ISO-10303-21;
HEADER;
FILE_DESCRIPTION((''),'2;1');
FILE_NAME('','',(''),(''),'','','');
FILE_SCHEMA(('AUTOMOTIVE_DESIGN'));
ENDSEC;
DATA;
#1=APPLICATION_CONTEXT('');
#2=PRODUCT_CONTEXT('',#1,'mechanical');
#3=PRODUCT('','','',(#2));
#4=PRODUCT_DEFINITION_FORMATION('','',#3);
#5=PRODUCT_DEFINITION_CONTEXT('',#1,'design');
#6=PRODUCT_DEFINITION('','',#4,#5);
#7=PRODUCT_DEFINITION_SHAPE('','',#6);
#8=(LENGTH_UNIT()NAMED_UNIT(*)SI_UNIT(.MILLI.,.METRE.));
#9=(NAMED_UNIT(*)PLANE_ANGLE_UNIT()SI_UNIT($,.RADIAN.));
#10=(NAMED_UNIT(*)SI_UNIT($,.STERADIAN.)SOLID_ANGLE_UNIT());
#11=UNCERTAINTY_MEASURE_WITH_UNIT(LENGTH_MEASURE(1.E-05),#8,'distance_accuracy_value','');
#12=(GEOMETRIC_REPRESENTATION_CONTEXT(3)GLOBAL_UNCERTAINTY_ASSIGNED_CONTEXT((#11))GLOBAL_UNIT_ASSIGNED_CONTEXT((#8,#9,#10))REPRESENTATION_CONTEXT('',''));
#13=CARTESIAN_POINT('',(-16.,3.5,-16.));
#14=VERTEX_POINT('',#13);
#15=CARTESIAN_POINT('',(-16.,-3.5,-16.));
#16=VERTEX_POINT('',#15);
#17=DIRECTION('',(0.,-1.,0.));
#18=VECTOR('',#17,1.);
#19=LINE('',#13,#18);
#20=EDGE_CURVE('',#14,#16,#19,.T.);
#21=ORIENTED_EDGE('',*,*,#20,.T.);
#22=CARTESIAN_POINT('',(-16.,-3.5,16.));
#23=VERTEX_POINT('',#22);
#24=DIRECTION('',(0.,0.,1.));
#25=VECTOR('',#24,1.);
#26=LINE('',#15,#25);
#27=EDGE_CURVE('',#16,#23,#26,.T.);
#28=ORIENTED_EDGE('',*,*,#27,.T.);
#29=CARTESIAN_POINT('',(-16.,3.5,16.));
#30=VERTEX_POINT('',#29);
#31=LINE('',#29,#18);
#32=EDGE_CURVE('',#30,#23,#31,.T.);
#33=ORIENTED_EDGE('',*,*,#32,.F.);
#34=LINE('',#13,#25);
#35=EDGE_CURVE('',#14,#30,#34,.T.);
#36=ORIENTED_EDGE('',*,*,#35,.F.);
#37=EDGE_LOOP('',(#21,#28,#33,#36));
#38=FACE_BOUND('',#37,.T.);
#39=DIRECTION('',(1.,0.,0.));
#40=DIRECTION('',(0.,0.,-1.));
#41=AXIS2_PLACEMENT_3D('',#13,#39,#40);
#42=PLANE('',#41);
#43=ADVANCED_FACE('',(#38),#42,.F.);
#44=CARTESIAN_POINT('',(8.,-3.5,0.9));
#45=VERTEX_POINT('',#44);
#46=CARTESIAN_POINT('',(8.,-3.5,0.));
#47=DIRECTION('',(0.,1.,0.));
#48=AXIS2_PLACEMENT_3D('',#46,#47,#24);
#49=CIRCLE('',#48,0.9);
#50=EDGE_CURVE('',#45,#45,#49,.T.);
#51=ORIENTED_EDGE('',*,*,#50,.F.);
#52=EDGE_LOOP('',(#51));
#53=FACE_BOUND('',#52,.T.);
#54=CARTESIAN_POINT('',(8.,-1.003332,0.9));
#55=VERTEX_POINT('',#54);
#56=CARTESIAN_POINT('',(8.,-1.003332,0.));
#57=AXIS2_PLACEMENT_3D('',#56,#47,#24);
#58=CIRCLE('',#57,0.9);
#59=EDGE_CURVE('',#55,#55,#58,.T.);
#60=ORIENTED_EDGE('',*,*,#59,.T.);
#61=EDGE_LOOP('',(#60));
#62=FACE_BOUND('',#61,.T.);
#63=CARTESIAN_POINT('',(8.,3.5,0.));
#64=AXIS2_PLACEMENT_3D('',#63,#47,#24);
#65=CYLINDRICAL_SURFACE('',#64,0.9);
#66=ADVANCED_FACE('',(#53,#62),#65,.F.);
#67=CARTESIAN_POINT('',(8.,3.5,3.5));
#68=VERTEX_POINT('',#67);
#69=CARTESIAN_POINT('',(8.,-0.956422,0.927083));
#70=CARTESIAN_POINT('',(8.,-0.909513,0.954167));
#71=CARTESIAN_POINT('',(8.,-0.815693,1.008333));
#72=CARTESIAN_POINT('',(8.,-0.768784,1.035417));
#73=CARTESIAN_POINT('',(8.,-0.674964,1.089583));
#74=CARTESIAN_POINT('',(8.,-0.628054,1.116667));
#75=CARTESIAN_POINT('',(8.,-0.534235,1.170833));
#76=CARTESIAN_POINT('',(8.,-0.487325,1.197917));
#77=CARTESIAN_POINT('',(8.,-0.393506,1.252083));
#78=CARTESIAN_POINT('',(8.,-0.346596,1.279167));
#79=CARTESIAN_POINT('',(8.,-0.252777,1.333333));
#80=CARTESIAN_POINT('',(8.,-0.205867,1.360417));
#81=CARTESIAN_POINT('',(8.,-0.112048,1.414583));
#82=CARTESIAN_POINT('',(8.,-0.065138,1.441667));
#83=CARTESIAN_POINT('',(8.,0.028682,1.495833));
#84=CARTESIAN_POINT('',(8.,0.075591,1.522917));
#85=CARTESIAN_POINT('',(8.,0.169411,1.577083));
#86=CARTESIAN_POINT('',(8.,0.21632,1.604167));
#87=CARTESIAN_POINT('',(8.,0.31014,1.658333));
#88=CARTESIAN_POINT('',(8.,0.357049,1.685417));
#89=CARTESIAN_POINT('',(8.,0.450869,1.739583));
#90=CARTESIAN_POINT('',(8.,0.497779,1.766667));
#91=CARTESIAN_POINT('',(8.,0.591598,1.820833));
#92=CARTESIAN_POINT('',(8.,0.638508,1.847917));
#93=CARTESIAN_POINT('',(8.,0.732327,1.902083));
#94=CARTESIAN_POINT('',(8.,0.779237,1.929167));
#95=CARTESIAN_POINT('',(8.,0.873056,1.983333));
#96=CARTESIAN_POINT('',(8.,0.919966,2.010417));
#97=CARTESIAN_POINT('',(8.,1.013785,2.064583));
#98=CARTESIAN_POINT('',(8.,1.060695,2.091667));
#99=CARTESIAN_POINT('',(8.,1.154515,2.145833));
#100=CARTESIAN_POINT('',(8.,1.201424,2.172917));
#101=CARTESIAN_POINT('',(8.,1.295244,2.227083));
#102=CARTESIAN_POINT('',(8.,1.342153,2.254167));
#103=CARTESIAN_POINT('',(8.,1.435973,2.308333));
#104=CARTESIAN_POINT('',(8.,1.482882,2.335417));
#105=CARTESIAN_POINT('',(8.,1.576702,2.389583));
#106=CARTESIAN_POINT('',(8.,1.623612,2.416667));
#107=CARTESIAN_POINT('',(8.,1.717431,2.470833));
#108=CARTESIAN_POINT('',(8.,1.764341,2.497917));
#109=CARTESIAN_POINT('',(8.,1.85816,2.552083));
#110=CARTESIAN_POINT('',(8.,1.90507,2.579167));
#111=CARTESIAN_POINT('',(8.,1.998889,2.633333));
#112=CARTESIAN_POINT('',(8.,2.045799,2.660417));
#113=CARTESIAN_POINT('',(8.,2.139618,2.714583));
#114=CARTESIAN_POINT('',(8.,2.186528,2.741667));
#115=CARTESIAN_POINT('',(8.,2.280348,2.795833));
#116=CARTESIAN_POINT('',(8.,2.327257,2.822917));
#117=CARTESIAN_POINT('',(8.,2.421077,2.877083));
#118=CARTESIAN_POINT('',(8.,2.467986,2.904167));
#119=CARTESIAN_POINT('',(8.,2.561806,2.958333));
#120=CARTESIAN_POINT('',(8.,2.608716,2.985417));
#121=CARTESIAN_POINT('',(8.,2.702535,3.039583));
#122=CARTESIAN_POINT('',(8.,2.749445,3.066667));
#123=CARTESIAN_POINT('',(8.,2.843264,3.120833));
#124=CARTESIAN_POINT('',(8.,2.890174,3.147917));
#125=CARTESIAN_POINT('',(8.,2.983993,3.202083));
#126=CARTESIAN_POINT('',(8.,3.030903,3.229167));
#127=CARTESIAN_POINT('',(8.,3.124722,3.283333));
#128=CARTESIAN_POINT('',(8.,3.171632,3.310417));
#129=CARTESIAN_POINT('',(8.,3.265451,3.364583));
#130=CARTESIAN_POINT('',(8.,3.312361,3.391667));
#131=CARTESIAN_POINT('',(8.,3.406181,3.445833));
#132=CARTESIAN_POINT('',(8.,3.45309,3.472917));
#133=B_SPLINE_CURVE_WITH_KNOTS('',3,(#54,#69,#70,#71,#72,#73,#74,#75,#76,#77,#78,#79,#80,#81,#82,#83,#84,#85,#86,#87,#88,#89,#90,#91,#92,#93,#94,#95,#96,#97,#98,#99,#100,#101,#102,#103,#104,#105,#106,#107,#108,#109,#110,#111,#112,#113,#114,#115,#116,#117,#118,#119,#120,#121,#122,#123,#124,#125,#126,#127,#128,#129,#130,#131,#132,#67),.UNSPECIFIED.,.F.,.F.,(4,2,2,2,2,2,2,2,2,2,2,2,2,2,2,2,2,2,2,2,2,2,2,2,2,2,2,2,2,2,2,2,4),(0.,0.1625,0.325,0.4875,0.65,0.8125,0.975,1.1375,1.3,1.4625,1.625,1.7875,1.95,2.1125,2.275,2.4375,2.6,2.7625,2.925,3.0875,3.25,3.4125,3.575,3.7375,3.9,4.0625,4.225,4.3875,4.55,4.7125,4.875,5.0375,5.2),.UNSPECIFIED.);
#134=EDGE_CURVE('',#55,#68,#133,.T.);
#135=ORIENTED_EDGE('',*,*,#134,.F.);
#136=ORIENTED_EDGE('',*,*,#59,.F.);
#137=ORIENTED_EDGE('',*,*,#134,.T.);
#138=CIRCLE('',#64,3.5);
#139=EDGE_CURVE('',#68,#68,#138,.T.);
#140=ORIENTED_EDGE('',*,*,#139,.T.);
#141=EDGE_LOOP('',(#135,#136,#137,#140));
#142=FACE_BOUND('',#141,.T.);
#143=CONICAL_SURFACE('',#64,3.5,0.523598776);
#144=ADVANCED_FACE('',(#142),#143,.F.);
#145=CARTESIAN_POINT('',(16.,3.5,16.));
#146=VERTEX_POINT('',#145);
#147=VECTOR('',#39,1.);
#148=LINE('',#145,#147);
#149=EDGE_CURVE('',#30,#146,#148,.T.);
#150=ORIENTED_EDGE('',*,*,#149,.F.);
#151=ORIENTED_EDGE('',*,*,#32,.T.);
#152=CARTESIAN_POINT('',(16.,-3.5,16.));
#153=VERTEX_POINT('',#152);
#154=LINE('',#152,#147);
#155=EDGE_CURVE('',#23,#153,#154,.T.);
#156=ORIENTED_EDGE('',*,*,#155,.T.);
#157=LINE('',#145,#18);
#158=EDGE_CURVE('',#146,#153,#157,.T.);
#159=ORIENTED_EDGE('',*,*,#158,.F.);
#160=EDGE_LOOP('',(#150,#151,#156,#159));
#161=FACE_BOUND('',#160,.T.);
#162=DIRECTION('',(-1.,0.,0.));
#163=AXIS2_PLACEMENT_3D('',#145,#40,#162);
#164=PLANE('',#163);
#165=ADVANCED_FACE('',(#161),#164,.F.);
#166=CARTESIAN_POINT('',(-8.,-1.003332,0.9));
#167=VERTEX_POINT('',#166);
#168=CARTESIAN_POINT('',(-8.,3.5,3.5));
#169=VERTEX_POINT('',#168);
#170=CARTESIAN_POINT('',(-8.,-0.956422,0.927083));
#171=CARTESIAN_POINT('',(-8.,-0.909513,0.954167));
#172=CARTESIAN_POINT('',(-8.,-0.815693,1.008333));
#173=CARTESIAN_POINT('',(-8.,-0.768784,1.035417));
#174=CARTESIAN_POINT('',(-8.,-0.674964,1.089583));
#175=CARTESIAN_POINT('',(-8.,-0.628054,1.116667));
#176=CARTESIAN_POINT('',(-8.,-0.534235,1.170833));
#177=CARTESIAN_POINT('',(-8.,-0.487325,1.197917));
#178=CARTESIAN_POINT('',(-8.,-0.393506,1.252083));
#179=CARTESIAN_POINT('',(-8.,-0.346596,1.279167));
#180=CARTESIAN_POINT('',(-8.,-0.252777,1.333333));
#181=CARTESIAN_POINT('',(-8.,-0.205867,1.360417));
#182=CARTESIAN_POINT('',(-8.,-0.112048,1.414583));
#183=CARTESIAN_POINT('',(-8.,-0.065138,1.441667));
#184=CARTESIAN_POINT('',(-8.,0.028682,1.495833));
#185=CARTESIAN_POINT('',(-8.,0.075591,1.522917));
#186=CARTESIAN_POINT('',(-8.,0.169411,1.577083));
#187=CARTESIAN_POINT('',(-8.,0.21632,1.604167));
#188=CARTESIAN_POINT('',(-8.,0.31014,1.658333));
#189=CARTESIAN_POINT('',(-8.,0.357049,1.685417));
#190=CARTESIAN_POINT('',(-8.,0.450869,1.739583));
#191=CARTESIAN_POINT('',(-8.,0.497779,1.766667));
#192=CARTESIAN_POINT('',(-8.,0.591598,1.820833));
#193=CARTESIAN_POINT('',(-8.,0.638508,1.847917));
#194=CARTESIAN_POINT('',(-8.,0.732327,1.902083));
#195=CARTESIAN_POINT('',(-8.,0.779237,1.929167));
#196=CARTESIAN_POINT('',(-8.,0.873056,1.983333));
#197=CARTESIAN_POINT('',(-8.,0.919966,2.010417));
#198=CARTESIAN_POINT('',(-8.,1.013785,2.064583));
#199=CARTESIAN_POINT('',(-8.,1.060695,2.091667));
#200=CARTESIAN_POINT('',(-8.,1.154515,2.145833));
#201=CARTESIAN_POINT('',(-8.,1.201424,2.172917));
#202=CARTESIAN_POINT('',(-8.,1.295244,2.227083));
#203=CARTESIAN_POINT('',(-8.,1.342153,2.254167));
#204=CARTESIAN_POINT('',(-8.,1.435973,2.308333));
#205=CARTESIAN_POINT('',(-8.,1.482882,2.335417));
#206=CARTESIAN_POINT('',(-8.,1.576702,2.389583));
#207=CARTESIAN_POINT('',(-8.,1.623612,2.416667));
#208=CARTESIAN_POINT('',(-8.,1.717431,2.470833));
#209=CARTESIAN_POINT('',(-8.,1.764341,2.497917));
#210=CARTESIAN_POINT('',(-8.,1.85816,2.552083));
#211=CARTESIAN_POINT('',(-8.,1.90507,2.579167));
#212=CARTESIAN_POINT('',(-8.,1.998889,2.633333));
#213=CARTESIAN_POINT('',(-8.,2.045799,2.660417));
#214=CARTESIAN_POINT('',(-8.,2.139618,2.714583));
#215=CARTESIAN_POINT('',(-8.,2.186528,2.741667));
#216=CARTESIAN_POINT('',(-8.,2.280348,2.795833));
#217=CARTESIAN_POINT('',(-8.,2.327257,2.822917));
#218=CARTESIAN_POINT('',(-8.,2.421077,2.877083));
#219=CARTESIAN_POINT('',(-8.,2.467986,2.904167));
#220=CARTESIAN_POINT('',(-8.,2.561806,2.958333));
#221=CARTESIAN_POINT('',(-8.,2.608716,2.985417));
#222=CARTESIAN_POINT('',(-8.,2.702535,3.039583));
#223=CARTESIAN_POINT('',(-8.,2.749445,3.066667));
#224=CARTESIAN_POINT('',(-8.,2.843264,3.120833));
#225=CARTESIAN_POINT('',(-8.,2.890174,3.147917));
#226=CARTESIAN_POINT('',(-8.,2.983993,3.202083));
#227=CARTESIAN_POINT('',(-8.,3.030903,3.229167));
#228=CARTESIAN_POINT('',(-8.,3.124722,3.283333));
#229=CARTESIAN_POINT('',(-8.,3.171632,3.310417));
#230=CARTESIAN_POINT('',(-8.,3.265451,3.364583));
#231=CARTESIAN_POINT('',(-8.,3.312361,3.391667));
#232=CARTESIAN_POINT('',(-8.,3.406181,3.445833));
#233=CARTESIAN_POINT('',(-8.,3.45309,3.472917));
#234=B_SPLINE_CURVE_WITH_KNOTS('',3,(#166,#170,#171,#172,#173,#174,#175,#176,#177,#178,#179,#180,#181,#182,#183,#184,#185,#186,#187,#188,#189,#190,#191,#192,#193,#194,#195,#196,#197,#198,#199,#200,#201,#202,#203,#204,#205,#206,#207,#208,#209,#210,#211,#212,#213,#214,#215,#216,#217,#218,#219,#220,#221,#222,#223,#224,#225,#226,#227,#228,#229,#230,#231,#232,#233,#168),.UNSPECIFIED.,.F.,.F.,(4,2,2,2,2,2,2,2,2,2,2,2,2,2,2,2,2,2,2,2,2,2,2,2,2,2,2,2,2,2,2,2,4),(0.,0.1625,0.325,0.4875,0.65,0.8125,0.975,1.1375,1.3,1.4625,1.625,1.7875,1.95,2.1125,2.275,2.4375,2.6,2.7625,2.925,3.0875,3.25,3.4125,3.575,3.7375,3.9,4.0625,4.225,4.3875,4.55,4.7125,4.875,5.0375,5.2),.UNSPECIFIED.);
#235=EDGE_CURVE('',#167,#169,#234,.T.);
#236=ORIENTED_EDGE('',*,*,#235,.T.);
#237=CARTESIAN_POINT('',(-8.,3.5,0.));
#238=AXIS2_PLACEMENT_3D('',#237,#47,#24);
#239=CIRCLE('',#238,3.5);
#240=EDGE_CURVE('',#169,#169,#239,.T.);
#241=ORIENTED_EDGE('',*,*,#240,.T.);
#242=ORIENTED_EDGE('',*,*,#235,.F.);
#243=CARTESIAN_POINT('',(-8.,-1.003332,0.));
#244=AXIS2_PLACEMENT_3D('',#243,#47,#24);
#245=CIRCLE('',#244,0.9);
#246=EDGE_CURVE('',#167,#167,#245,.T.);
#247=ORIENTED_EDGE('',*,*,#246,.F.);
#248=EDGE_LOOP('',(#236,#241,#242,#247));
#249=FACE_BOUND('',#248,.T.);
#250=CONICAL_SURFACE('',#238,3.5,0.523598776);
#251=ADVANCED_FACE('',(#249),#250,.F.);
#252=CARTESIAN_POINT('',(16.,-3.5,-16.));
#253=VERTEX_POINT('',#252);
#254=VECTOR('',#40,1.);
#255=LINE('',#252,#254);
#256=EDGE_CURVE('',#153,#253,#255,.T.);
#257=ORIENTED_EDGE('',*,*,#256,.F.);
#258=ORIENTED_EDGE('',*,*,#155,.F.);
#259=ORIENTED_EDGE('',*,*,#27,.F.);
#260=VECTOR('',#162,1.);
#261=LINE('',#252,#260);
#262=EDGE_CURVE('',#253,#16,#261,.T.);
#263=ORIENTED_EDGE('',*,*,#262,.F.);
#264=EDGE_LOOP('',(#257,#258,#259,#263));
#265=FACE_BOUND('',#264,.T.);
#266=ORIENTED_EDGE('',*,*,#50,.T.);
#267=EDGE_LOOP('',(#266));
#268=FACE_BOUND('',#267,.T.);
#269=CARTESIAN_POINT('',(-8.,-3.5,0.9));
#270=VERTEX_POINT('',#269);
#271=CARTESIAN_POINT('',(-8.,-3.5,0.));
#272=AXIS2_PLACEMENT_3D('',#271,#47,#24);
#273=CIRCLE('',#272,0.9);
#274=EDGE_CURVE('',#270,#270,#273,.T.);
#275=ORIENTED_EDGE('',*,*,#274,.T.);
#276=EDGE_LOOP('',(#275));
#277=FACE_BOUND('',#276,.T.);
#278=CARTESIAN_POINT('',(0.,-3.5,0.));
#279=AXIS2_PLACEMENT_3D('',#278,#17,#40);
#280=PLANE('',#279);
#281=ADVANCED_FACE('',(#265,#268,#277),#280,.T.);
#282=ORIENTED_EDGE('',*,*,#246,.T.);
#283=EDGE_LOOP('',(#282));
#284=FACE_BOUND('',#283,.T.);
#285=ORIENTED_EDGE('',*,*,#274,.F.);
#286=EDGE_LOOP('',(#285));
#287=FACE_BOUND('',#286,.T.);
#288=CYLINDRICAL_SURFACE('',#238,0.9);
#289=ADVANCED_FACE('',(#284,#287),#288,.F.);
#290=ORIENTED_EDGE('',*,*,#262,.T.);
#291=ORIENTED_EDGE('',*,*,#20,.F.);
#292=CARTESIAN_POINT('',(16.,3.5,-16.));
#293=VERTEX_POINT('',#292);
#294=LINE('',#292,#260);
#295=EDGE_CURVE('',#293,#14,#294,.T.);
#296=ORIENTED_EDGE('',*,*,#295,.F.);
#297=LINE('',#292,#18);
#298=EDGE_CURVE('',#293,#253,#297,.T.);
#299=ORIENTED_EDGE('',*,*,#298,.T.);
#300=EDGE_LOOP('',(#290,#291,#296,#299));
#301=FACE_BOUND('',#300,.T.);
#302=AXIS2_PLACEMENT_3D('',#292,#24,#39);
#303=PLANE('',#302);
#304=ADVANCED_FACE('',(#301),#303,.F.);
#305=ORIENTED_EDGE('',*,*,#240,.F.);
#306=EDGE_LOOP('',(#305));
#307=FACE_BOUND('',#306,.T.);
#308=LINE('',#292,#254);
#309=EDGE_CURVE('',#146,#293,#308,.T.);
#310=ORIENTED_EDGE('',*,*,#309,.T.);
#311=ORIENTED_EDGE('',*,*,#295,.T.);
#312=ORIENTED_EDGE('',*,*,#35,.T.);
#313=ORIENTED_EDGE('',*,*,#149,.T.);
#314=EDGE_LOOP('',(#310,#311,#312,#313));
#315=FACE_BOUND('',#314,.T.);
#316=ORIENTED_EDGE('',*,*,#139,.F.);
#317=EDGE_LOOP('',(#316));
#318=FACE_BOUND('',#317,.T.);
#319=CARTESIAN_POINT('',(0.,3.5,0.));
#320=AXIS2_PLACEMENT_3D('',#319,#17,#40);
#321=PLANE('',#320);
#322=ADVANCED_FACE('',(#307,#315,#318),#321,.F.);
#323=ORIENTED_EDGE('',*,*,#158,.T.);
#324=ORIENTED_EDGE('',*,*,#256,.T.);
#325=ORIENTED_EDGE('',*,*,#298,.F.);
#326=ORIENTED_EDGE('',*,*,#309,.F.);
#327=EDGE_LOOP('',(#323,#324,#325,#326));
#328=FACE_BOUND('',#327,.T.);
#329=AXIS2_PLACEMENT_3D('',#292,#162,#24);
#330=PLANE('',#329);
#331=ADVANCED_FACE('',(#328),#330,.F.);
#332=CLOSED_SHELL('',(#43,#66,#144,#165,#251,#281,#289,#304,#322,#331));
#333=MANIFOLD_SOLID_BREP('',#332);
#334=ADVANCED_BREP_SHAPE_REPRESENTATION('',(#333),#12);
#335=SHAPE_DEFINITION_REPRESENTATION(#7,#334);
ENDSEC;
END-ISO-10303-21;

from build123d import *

# Parameters (mm, degrees)
SKETCH1_W                                            = 32
SKETCH1_H                                            = 32
BOSS_EXTRUDE1_DEPTH                                  = 3.5
CSK_FOR_M1_6_COUNTERSUNK_FLAT_HEAD_SCREW_D           = 1.8
CSK_FOR_M1_6_COUNTERSUNK_FLAT_HEAD_SCREW_CSINK_D     = 7
CSK_FOR_M1_6_COUNTERSUNK_FLAT_HEAD_SCREW_CSINK_ANGLE = 60


with BuildPart() as part:
    # Sketch1 → Boss-Extrude1 (new, symmetric)
    with BuildSketch(Plane(origin=(0, 0, 0), x_dir=(1, 0, 0), z_dir=(0, 1, 0))):
        Rectangle(SKETCH1_W, SKETCH1_H)
    extrude(amount=BOSS_EXTRUDE1_DEPTH, both=True)

    # CSK for M1.6 Countersunk Flat Head Screw1 (through all)
    with Locations(Plane(origin=(8, 3.5, 0), x_dir=(0, 0, 1), z_dir=(0, 1, 0))):
        with Locations((0, 0), (0, -16)):
            CounterSinkHole(CSK_FOR_M1_6_COUNTERSUNK_FLAT_HEAD_SCREW_D / 2, CSK_FOR_M1_6_COUNTERSUNK_FLAT_HEAD_SCREW_CSINK_D / 2, counter_sink_angle=CSK_FOR_M1_6_COUNTERSUNK_FLAT_HEAD_SCREW_CSINK_ANGLE)


solid = part.part
